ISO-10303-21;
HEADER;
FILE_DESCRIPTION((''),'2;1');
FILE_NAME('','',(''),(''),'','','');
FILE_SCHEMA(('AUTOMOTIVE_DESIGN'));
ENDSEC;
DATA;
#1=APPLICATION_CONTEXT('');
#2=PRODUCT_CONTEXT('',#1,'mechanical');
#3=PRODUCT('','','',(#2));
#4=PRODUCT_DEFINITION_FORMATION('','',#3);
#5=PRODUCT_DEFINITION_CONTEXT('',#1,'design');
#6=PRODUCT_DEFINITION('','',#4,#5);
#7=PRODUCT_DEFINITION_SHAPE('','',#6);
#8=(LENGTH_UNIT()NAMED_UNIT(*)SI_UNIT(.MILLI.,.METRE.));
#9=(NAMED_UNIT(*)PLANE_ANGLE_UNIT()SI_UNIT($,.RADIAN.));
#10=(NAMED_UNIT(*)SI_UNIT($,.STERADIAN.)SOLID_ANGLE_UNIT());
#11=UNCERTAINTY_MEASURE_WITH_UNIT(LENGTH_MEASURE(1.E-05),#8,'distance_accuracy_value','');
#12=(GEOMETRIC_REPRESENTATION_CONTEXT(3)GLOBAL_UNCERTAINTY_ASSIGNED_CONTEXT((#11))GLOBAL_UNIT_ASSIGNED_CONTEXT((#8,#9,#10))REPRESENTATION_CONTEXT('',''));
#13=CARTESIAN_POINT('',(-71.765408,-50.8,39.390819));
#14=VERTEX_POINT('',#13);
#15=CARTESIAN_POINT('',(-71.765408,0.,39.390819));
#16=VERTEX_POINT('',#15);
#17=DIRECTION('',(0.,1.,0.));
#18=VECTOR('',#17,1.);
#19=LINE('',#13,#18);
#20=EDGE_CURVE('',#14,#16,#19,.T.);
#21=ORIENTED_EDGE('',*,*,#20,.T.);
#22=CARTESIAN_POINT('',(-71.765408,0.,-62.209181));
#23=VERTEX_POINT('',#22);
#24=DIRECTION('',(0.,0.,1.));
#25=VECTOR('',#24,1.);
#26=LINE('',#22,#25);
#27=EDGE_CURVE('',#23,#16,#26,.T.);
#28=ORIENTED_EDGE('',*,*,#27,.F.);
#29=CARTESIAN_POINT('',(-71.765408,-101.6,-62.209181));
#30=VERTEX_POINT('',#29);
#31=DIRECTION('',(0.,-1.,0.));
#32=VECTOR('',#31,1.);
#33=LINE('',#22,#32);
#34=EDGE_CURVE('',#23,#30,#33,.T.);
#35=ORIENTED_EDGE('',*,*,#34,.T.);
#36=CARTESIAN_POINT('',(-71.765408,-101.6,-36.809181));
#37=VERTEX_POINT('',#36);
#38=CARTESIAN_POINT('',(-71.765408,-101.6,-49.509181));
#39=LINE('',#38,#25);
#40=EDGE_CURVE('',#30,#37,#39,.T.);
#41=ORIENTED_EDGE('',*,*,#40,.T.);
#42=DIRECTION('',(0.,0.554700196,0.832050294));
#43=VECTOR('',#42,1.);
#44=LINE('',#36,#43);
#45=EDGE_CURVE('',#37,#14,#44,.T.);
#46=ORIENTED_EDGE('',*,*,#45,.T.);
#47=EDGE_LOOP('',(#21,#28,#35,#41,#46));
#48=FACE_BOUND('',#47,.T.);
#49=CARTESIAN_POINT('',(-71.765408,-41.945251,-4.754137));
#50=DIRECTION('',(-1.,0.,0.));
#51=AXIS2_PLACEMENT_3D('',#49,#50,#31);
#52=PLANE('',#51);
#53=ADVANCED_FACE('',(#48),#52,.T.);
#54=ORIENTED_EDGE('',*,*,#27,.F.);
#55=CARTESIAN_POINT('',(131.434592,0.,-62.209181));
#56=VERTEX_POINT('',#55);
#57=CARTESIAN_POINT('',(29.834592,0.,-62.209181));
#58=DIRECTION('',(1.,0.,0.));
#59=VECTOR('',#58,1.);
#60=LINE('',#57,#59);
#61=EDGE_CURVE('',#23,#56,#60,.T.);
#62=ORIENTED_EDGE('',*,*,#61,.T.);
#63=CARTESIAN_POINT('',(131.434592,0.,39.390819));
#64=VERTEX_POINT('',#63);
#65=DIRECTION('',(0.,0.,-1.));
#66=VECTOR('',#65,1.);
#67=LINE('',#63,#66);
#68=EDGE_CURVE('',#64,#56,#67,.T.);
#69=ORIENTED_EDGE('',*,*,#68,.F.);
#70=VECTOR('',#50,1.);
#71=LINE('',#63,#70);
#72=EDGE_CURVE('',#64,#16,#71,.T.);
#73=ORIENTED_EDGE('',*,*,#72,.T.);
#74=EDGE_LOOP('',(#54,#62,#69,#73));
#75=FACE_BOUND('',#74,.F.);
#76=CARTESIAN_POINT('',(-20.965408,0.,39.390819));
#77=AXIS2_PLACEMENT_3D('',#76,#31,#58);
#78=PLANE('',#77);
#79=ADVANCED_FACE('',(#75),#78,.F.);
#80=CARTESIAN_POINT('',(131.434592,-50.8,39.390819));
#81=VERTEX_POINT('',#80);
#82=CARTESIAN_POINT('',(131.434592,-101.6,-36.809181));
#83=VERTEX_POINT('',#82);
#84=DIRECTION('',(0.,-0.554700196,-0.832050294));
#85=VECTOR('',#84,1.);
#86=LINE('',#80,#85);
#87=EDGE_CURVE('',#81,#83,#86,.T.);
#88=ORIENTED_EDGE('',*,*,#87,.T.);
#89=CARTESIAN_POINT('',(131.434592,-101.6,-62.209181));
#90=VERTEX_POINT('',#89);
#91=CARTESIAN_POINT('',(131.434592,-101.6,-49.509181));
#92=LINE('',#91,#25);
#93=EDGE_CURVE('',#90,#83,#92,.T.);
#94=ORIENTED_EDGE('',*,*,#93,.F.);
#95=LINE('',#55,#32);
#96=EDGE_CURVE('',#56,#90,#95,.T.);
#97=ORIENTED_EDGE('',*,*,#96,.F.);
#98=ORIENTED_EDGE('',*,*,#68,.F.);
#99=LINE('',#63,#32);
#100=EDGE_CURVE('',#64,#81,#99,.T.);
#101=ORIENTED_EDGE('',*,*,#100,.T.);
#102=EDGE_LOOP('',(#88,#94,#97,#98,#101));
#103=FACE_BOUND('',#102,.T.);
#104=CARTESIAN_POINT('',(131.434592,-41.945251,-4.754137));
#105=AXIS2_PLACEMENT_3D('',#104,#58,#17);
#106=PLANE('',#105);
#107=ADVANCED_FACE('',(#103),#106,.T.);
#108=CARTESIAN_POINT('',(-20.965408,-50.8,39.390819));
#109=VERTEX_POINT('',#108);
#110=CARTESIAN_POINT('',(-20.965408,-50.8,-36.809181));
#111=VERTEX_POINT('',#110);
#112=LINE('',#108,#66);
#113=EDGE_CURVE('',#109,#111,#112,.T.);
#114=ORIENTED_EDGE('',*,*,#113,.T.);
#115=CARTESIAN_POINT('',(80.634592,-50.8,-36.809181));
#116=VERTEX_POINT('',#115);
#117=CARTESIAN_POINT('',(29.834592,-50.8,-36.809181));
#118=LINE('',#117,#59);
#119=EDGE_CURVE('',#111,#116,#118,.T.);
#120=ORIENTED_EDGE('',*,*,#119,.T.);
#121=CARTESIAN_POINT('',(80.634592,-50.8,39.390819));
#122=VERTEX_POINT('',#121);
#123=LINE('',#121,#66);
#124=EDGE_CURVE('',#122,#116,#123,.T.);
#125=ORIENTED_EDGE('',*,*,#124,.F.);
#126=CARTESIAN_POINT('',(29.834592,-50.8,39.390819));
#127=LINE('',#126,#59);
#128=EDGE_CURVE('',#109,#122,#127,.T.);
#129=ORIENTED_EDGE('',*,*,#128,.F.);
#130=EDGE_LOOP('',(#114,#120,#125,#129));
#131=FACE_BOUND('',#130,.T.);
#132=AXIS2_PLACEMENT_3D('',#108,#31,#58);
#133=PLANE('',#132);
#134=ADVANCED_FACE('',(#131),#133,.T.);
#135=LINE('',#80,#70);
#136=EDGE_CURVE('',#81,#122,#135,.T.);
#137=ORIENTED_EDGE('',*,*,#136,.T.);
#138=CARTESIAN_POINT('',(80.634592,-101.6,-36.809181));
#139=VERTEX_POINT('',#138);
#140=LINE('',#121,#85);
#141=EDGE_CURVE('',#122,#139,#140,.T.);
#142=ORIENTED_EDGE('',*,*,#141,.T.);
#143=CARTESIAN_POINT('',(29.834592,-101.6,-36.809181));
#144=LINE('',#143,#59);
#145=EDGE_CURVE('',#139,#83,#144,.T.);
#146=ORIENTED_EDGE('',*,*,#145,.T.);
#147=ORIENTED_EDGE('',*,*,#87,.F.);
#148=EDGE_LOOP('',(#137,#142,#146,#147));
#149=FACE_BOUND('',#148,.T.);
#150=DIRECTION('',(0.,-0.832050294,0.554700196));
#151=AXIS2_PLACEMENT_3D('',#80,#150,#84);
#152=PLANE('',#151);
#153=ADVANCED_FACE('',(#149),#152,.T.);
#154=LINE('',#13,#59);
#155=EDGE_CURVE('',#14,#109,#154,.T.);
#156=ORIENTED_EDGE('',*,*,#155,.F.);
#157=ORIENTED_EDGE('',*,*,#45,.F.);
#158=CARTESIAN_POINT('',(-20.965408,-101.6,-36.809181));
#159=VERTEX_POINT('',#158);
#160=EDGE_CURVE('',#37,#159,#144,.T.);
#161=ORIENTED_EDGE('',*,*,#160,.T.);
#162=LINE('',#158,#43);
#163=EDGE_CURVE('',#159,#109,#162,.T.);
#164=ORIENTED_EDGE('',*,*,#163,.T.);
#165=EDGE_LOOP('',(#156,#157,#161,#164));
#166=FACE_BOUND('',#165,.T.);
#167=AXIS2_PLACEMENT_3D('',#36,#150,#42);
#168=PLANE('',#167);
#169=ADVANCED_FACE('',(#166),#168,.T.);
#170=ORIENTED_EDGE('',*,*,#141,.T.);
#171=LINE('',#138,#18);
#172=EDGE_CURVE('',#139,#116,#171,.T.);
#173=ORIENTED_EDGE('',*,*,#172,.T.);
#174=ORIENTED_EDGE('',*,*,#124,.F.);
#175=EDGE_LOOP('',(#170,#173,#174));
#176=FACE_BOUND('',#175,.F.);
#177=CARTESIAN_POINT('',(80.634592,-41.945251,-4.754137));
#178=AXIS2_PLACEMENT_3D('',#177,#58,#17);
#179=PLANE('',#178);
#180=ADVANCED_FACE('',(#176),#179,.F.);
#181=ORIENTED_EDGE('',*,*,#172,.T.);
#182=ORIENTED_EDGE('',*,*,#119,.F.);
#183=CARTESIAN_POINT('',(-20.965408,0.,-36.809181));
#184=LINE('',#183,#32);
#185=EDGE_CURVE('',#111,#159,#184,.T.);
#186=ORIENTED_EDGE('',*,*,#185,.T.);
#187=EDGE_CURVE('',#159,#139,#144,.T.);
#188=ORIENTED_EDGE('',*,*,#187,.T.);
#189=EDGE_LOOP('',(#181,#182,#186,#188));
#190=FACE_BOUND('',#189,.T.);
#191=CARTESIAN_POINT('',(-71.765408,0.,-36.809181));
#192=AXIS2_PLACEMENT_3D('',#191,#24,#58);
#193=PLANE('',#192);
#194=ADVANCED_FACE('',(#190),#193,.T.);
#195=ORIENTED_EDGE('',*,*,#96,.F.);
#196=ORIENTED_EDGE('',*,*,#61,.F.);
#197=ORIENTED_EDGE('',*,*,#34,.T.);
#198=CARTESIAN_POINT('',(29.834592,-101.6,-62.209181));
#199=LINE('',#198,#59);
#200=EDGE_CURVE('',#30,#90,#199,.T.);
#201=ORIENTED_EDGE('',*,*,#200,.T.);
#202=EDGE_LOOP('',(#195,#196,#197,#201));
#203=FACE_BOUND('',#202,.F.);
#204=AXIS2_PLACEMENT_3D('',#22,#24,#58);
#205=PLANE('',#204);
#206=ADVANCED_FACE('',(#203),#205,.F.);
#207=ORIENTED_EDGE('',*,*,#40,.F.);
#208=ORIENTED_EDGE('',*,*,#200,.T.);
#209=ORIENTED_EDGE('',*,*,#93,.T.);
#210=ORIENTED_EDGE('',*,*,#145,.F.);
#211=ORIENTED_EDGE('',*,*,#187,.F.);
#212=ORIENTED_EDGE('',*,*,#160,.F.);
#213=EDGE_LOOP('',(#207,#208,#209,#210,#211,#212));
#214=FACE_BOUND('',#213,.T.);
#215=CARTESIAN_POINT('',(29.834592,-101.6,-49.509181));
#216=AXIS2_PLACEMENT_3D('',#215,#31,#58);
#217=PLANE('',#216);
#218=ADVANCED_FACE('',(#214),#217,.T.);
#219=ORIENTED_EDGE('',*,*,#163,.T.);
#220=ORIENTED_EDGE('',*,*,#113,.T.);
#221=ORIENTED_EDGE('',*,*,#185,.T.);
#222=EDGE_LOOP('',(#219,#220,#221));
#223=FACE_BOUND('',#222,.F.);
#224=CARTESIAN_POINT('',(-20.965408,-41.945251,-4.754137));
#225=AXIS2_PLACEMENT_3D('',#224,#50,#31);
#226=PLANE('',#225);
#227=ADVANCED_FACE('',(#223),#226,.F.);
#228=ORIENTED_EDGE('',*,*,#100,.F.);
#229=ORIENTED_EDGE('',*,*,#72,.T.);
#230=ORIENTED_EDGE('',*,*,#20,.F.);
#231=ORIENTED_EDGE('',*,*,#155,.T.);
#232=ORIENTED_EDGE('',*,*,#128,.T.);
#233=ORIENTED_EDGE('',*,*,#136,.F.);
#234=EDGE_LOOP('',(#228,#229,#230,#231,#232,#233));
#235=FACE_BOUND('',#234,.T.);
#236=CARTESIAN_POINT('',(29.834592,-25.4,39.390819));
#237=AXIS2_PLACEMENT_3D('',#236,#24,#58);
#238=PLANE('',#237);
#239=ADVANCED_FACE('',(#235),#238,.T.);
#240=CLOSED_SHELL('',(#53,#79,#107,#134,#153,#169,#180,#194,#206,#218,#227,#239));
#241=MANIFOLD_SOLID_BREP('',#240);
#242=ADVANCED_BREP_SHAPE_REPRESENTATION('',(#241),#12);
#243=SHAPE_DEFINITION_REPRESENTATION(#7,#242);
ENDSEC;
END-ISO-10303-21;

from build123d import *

# Parameters (mm, degrees)
F0_W     = 203.2
F0_H     = 25.4
F1_DEPTH = 101.6
F3_DEPTH = 50.8
F5_DEPTH = 50.8
F6_W     = 101.6
F6_H     = 50.8
F7_DEPTH = 76.2


with BuildPart() as f1:
    # F0 (on Front) → F1 (new body)
    with BuildSketch(Plane.XZ):
        with Locations((29.834592, -49.509181)):
            Rectangle(F0_W, F0_H)
    extrude(amount=F1_DEPTH)

    # F2 (on face) → F3 (join)
    with BuildSketch(Plane.YZ.offset(131.434592)):
        Polygon((-101.6, -36.809181), (0, -36.809181), (0, 39.390819), (-50.8, 39.390819), align=None)
    extrude(amount=-F3_DEPTH)

    # F4 (on face) → F5 (join)
    with BuildSketch(Plane(origin=(-71.765408, 0, 0), x_dir=(0, -1, 0), z_dir=(-1, 0, 0))):
        Polygon((0, 39.390819), (0, -36.809181), (101.6, -36.809181), (50.8, 39.390819), align=None)
    extrude(amount=-F5_DEPTH)

    # F6 (on face) → F7 (join)
    with BuildSketch(Plane.XY.offset(39.390819)):
        with Locations((29.834592, -25.4)):
            Rectangle(F6_W, F6_H)
    extrude(amount=-F7_DEPTH)


solid = f1.part
